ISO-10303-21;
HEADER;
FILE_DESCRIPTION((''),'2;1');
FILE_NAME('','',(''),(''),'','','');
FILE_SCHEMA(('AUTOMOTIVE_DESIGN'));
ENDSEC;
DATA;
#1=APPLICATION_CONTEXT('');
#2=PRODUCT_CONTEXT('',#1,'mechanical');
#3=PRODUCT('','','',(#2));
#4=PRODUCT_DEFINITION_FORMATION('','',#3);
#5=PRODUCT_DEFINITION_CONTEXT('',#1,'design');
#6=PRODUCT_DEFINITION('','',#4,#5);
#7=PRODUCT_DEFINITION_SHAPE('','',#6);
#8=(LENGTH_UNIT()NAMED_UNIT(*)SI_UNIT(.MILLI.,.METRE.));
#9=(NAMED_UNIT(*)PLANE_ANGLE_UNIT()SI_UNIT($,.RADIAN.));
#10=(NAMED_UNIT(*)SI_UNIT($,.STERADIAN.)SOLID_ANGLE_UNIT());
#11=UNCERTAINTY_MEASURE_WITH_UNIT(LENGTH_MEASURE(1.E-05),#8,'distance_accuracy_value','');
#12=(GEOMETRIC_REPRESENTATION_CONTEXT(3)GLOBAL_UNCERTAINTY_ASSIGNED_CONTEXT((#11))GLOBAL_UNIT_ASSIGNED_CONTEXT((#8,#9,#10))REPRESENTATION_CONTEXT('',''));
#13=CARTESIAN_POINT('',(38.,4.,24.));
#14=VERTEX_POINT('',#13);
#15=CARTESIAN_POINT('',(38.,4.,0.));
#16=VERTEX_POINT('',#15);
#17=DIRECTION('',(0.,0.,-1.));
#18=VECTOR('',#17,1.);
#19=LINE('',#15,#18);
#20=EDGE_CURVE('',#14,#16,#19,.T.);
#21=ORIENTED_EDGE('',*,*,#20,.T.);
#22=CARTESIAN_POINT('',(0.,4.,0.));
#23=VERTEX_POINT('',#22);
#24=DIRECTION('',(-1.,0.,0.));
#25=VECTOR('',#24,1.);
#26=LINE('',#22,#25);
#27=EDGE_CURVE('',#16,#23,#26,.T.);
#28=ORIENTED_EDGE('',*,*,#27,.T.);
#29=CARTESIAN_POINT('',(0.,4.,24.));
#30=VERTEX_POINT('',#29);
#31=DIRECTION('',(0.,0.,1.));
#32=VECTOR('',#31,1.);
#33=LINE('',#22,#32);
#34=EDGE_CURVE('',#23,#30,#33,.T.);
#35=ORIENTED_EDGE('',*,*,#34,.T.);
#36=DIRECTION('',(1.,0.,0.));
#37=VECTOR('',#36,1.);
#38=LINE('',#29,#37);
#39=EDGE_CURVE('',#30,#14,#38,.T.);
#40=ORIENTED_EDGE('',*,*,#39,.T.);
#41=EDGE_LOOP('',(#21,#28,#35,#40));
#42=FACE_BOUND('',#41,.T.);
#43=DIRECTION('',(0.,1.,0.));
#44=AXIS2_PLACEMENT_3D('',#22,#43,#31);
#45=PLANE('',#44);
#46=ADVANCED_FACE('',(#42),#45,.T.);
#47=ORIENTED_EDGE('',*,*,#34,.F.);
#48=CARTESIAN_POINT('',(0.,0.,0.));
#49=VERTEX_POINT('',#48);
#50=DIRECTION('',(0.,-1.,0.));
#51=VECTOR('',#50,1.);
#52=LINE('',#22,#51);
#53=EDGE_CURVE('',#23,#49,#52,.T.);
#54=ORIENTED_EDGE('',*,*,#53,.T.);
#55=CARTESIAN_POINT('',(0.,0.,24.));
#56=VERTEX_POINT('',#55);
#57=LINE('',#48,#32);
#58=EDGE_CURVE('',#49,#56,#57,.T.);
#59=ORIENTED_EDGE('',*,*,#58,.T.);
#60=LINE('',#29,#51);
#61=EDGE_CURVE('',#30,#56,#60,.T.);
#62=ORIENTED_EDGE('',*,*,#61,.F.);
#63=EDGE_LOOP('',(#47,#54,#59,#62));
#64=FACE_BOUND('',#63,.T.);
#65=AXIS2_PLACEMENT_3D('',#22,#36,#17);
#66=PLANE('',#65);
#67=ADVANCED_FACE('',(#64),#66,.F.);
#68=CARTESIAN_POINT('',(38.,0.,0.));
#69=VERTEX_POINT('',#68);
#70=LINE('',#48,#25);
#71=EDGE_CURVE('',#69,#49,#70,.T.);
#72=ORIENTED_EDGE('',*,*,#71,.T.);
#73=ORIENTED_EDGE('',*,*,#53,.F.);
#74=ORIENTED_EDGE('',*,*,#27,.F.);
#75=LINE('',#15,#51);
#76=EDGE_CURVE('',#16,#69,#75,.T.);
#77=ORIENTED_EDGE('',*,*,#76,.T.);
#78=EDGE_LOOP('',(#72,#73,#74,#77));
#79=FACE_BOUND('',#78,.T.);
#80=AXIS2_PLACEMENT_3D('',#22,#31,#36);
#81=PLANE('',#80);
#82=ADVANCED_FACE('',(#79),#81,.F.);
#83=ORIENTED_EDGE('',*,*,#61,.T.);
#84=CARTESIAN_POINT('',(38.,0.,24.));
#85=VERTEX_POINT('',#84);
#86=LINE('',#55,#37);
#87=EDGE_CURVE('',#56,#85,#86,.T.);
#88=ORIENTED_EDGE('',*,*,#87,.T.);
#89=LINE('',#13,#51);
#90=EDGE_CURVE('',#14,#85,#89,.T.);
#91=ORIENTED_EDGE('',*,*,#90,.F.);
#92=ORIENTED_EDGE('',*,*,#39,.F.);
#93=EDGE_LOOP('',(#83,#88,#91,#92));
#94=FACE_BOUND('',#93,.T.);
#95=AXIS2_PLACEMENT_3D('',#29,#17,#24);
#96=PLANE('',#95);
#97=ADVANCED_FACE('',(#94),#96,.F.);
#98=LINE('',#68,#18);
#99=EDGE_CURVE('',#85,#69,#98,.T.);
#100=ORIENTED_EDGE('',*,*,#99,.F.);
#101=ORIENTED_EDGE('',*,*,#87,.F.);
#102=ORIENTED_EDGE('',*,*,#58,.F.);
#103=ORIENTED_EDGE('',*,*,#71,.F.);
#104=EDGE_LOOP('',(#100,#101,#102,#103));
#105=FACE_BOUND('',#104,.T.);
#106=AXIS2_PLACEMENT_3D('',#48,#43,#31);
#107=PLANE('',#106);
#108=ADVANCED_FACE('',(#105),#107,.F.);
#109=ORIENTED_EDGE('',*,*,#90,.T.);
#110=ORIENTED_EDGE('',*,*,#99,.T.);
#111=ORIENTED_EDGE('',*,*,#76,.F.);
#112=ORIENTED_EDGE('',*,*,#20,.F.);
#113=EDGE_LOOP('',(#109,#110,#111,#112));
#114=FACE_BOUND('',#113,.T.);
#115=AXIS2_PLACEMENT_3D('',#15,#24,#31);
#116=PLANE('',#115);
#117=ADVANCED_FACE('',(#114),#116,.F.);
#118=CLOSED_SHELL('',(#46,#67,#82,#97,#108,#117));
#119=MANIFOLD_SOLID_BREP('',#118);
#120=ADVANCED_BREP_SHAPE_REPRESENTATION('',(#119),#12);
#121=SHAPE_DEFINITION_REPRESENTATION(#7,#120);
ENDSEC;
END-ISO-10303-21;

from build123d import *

# Parameters (mm, degrees)
SKETCH1_W           = 38
SKETCH1_H           = 24
BOSS_EXTRUDE1_DEPTH = 4


with BuildPart() as part:
    # Sketch1 → Boss-Extrude1 (new body)
    with BuildSketch(Plane(origin=(0, 0, 0), x_dir=(1, 0, 0), z_dir=(0, 1, 0))):
        with Locations((19, -12)):
            Rectangle(SKETCH1_W, SKETCH1_H)
    extrude(amount=BOSS_EXTRUDE1_DEPTH)


solid = part.part
